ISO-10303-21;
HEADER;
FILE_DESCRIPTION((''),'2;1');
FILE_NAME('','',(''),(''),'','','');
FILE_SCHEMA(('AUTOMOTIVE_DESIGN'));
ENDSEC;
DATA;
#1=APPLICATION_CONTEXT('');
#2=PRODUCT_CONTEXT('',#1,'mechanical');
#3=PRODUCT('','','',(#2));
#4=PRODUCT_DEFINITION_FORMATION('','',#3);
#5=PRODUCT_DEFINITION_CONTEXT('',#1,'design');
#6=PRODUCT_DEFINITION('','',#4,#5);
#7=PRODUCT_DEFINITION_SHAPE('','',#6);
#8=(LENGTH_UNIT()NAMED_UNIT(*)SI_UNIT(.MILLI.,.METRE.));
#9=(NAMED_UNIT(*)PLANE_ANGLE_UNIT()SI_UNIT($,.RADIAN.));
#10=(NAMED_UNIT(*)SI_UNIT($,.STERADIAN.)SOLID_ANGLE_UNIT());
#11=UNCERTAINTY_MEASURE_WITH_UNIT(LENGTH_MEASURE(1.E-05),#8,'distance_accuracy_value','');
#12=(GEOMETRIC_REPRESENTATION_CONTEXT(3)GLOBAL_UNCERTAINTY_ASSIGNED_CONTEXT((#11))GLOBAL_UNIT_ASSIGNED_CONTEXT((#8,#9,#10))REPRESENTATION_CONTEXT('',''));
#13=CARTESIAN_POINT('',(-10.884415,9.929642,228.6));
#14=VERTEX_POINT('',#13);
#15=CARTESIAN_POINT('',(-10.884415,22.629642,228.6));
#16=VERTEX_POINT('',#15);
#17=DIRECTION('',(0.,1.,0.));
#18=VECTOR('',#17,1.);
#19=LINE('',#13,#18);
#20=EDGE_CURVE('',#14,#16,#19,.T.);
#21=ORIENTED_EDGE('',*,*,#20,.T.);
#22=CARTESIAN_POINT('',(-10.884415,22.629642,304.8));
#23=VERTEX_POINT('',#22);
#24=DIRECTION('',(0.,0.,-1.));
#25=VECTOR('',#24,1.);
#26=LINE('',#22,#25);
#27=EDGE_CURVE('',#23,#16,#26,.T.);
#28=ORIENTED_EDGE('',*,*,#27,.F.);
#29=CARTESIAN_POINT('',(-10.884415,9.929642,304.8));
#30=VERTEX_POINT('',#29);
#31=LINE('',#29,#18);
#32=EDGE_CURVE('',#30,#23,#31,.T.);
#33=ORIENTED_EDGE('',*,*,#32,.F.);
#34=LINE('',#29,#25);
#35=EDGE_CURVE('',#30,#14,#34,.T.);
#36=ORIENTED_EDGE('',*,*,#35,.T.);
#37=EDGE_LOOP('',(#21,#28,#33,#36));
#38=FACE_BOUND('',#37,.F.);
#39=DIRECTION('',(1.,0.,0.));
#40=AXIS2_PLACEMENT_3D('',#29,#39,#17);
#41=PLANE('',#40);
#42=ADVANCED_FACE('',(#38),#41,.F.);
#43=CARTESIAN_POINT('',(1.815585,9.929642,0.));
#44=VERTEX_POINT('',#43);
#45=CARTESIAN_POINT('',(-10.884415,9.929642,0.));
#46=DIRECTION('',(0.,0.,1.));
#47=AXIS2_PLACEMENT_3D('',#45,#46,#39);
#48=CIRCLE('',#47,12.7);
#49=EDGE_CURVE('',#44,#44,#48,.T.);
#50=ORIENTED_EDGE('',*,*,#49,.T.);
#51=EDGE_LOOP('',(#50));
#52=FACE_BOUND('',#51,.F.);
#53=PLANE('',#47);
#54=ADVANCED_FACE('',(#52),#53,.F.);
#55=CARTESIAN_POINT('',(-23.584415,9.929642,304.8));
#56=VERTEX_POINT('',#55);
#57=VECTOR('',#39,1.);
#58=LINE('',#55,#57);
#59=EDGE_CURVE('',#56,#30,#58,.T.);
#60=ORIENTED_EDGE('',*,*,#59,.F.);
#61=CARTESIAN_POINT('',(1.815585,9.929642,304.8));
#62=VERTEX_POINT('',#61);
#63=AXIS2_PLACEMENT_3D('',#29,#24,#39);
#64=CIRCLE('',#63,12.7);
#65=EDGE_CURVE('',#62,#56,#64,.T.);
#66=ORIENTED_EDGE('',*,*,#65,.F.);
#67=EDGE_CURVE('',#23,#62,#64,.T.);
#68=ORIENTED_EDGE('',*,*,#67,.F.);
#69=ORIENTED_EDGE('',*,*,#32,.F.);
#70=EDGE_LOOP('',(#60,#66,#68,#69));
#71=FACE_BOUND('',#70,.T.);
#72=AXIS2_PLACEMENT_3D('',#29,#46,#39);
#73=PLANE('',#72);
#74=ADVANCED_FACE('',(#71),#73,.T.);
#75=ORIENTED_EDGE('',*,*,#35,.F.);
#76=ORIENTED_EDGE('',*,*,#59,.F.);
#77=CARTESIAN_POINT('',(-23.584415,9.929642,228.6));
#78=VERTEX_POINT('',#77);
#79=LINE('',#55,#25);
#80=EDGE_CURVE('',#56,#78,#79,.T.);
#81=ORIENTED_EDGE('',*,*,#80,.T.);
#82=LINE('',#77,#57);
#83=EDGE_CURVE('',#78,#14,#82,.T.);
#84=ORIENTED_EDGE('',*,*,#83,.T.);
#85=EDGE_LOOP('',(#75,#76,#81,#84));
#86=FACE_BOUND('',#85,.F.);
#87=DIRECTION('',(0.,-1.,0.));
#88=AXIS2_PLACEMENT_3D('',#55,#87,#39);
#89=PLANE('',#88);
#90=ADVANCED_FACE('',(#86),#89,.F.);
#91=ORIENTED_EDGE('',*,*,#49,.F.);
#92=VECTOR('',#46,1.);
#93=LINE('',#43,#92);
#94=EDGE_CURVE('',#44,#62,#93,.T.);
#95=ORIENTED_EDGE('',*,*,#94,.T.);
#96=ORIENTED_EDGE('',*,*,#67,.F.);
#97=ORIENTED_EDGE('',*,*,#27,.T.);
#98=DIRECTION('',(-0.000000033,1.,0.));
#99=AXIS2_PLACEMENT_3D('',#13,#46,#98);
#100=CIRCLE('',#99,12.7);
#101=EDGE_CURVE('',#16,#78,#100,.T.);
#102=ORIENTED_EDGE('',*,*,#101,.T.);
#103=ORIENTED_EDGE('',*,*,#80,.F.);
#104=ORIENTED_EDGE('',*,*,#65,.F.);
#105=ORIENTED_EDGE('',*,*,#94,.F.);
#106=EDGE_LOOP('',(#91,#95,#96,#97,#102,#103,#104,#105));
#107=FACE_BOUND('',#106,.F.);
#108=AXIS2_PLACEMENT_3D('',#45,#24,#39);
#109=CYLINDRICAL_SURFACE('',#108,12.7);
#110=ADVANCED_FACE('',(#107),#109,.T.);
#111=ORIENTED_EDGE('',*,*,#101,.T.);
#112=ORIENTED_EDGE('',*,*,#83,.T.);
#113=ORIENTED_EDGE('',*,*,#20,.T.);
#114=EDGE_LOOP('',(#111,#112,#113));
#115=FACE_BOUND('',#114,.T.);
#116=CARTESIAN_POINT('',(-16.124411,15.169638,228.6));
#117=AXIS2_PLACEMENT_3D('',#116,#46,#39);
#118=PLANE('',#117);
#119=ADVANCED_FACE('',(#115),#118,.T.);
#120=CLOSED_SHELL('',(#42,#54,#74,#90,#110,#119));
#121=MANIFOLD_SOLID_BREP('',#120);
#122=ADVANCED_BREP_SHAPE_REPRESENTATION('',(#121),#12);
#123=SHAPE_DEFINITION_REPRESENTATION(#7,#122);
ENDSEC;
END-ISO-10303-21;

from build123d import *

# Parameters (mm, degrees)
F0_R     = 12.7
F1_DEPTH = 304.8
F3_DEPTH = 76.2
F5_DEPTH = 76.2


with BuildPart() as f1:
    # F0 (on Top) → F1 (new body)
    with BuildSketch(Plane.XY):
        with Locations((-10.884415, 9.929642)):
            Circle(F0_R)
    extrude(amount=F1_DEPTH)

    # F2 (on face) → F3 (cut)
    with BuildSketch(Plane.XY.offset(304.8)):
        with BuildLine():
            ThreePointArc((1.815585, 9.929642), (1.714362, 11.529897), (1.412307, 13.104642))
            Line((1.412307, 13.104642), (-4.937693, 13.104642))
            Line((-4.937693, 13.104642), (-4.937693, 6.754642))
            Line((-4.937693, 6.754642), (1.412307, 6.754642))
            ThreePointArc((1.412307, 6.754642), (1.714362, 8.329388), (1.815585, 9.929642))
        make_face()
    extrude(amount=F3_DEPTH, mode=Mode.SUBTRACT)

    # F4 (on face) → F5 (cut)
    with BuildSketch(Plane.XY.offset(304.8)):
        with BuildLine():
            Line((-23.584415, 9.929642), (-10.884415, 9.929642))
            Line((-10.884415, 9.929642), (-10.884415, 22.629642))
            ThreePointArc((-10.884415, 22.629642), (-19.864671, 18.909898), (-23.584415, 9.929642))
        make_face()
    extrude(amount=-F5_DEPTH, mode=Mode.SUBTRACT)


solid = f1.part
